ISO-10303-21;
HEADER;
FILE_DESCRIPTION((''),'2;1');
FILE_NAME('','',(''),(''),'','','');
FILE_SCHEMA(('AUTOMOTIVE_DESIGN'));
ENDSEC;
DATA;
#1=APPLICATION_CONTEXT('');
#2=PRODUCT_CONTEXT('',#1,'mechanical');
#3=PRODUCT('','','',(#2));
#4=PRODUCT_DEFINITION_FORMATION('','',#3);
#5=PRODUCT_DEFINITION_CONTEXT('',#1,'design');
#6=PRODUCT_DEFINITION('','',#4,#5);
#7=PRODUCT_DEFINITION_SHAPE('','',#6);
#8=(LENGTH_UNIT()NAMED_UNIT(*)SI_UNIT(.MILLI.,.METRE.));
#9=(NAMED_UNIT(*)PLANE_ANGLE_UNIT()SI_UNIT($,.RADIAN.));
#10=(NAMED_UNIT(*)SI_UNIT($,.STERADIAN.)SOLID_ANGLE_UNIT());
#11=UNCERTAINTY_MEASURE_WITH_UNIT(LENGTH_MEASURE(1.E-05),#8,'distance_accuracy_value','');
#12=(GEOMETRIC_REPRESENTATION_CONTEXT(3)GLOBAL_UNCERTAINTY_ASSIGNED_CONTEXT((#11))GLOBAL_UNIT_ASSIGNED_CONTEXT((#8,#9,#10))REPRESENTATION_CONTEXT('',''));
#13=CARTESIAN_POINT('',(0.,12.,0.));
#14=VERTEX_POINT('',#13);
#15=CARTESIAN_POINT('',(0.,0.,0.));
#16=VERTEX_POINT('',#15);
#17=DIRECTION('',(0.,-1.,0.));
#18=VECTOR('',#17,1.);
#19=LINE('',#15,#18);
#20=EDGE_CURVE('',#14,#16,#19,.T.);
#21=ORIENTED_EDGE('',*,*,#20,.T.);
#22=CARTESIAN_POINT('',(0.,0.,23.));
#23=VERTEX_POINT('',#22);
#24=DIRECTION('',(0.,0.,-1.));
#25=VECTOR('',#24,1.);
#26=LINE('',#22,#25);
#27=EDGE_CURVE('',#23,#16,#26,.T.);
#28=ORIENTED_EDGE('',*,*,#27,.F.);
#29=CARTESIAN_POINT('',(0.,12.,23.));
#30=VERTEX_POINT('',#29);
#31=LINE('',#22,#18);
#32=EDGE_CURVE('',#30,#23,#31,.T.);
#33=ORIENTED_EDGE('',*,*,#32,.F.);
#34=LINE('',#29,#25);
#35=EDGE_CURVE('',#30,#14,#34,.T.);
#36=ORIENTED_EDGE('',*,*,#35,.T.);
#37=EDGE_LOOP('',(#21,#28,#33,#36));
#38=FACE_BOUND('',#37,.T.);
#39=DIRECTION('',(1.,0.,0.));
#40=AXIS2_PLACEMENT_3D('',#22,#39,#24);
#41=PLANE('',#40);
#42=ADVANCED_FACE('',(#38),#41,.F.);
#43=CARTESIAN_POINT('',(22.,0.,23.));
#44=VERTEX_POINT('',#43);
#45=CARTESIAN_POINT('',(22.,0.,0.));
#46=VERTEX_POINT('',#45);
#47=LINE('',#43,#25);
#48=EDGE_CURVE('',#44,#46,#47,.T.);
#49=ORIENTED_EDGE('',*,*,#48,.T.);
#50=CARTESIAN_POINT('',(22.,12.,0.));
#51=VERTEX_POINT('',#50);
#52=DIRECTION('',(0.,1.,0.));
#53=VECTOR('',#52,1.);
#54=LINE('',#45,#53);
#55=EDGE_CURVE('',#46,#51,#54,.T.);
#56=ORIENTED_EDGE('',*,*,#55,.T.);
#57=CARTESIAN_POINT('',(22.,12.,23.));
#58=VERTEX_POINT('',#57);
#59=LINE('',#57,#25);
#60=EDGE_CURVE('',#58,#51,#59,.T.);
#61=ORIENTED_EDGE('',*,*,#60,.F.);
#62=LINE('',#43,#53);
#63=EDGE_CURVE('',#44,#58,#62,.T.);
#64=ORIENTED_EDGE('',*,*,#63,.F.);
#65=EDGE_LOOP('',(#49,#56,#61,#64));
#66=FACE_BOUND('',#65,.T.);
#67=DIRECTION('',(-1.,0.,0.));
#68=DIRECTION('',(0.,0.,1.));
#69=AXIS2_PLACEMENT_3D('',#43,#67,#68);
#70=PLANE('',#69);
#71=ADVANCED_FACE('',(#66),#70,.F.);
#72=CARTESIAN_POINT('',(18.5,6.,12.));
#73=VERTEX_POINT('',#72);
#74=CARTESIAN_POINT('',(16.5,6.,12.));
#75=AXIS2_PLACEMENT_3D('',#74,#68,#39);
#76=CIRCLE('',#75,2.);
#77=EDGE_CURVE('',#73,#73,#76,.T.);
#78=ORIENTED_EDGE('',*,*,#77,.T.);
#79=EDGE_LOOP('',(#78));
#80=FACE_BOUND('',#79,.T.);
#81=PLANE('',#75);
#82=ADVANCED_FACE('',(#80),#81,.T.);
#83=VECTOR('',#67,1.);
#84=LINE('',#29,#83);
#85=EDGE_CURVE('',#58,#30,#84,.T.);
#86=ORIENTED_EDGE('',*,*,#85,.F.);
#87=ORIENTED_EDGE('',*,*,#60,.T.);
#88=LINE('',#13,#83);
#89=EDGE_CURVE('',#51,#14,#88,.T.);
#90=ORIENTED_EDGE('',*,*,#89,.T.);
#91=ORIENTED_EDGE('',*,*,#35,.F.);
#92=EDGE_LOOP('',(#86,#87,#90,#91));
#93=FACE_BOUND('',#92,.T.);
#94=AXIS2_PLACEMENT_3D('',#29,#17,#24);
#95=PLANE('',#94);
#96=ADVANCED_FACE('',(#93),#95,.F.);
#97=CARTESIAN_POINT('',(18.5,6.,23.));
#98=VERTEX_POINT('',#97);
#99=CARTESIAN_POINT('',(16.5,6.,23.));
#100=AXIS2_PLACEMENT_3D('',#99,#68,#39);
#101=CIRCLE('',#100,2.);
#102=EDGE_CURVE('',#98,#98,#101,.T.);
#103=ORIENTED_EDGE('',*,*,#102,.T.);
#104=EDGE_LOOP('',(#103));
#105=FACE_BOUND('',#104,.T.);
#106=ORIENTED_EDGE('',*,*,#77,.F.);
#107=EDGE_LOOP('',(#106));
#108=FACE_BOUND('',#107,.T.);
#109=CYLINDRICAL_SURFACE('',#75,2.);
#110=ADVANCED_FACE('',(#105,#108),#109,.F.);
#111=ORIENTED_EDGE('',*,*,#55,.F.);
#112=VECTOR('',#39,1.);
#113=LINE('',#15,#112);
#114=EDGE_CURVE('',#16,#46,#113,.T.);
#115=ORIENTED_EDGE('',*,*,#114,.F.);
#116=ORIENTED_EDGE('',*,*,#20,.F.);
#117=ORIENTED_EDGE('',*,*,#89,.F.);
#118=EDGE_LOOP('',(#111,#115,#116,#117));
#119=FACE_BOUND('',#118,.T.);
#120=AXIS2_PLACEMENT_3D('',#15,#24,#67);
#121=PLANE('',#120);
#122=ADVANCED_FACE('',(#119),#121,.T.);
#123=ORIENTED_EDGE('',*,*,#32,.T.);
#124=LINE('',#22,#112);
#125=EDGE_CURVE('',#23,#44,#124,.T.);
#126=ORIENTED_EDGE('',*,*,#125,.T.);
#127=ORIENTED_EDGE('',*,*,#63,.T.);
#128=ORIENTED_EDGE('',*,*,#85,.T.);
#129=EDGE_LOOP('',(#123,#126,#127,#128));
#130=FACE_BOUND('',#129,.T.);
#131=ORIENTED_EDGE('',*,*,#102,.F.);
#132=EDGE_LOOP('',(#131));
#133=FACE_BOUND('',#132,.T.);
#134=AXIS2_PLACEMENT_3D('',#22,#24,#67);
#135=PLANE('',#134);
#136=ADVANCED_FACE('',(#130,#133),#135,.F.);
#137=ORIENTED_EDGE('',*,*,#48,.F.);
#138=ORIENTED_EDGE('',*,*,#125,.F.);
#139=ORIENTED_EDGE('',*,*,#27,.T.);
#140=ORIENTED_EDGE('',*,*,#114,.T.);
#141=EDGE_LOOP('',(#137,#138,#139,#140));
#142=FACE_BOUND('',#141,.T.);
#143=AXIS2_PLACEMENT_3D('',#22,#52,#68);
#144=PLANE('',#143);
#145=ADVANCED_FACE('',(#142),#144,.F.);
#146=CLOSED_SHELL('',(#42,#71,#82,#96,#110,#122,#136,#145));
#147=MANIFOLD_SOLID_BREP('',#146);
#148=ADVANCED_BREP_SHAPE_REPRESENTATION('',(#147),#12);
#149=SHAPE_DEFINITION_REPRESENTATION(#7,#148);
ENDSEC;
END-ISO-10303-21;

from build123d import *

# Parameters (mm, degrees)
SKETCH1_W           = 22
SKETCH1_H           = 12
BOSS_EXTRUDE1_DEPTH = 23
SKETCH2_R           = 2
CUT_EXTRUDE1_DEPTH  = 11


with BuildPart() as part:
    # Sketch1 → Boss-Extrude1 (new body)
    with BuildSketch(Plane.XY):
        with Locations((11, 6)):
            Rectangle(SKETCH1_W, SKETCH1_H)
    extrude(amount=BOSS_EXTRUDE1_DEPTH)

    # Sketch2 → Cut-Extrude1 (cut)
    with BuildSketch(Plane.XY.offset(23)):
        with Locations((16.5, 6)):
            Circle(SKETCH2_R)
    extrude(amount=-CUT_EXTRUDE1_DEPTH, mode=Mode.SUBTRACT)


solid = part.part
